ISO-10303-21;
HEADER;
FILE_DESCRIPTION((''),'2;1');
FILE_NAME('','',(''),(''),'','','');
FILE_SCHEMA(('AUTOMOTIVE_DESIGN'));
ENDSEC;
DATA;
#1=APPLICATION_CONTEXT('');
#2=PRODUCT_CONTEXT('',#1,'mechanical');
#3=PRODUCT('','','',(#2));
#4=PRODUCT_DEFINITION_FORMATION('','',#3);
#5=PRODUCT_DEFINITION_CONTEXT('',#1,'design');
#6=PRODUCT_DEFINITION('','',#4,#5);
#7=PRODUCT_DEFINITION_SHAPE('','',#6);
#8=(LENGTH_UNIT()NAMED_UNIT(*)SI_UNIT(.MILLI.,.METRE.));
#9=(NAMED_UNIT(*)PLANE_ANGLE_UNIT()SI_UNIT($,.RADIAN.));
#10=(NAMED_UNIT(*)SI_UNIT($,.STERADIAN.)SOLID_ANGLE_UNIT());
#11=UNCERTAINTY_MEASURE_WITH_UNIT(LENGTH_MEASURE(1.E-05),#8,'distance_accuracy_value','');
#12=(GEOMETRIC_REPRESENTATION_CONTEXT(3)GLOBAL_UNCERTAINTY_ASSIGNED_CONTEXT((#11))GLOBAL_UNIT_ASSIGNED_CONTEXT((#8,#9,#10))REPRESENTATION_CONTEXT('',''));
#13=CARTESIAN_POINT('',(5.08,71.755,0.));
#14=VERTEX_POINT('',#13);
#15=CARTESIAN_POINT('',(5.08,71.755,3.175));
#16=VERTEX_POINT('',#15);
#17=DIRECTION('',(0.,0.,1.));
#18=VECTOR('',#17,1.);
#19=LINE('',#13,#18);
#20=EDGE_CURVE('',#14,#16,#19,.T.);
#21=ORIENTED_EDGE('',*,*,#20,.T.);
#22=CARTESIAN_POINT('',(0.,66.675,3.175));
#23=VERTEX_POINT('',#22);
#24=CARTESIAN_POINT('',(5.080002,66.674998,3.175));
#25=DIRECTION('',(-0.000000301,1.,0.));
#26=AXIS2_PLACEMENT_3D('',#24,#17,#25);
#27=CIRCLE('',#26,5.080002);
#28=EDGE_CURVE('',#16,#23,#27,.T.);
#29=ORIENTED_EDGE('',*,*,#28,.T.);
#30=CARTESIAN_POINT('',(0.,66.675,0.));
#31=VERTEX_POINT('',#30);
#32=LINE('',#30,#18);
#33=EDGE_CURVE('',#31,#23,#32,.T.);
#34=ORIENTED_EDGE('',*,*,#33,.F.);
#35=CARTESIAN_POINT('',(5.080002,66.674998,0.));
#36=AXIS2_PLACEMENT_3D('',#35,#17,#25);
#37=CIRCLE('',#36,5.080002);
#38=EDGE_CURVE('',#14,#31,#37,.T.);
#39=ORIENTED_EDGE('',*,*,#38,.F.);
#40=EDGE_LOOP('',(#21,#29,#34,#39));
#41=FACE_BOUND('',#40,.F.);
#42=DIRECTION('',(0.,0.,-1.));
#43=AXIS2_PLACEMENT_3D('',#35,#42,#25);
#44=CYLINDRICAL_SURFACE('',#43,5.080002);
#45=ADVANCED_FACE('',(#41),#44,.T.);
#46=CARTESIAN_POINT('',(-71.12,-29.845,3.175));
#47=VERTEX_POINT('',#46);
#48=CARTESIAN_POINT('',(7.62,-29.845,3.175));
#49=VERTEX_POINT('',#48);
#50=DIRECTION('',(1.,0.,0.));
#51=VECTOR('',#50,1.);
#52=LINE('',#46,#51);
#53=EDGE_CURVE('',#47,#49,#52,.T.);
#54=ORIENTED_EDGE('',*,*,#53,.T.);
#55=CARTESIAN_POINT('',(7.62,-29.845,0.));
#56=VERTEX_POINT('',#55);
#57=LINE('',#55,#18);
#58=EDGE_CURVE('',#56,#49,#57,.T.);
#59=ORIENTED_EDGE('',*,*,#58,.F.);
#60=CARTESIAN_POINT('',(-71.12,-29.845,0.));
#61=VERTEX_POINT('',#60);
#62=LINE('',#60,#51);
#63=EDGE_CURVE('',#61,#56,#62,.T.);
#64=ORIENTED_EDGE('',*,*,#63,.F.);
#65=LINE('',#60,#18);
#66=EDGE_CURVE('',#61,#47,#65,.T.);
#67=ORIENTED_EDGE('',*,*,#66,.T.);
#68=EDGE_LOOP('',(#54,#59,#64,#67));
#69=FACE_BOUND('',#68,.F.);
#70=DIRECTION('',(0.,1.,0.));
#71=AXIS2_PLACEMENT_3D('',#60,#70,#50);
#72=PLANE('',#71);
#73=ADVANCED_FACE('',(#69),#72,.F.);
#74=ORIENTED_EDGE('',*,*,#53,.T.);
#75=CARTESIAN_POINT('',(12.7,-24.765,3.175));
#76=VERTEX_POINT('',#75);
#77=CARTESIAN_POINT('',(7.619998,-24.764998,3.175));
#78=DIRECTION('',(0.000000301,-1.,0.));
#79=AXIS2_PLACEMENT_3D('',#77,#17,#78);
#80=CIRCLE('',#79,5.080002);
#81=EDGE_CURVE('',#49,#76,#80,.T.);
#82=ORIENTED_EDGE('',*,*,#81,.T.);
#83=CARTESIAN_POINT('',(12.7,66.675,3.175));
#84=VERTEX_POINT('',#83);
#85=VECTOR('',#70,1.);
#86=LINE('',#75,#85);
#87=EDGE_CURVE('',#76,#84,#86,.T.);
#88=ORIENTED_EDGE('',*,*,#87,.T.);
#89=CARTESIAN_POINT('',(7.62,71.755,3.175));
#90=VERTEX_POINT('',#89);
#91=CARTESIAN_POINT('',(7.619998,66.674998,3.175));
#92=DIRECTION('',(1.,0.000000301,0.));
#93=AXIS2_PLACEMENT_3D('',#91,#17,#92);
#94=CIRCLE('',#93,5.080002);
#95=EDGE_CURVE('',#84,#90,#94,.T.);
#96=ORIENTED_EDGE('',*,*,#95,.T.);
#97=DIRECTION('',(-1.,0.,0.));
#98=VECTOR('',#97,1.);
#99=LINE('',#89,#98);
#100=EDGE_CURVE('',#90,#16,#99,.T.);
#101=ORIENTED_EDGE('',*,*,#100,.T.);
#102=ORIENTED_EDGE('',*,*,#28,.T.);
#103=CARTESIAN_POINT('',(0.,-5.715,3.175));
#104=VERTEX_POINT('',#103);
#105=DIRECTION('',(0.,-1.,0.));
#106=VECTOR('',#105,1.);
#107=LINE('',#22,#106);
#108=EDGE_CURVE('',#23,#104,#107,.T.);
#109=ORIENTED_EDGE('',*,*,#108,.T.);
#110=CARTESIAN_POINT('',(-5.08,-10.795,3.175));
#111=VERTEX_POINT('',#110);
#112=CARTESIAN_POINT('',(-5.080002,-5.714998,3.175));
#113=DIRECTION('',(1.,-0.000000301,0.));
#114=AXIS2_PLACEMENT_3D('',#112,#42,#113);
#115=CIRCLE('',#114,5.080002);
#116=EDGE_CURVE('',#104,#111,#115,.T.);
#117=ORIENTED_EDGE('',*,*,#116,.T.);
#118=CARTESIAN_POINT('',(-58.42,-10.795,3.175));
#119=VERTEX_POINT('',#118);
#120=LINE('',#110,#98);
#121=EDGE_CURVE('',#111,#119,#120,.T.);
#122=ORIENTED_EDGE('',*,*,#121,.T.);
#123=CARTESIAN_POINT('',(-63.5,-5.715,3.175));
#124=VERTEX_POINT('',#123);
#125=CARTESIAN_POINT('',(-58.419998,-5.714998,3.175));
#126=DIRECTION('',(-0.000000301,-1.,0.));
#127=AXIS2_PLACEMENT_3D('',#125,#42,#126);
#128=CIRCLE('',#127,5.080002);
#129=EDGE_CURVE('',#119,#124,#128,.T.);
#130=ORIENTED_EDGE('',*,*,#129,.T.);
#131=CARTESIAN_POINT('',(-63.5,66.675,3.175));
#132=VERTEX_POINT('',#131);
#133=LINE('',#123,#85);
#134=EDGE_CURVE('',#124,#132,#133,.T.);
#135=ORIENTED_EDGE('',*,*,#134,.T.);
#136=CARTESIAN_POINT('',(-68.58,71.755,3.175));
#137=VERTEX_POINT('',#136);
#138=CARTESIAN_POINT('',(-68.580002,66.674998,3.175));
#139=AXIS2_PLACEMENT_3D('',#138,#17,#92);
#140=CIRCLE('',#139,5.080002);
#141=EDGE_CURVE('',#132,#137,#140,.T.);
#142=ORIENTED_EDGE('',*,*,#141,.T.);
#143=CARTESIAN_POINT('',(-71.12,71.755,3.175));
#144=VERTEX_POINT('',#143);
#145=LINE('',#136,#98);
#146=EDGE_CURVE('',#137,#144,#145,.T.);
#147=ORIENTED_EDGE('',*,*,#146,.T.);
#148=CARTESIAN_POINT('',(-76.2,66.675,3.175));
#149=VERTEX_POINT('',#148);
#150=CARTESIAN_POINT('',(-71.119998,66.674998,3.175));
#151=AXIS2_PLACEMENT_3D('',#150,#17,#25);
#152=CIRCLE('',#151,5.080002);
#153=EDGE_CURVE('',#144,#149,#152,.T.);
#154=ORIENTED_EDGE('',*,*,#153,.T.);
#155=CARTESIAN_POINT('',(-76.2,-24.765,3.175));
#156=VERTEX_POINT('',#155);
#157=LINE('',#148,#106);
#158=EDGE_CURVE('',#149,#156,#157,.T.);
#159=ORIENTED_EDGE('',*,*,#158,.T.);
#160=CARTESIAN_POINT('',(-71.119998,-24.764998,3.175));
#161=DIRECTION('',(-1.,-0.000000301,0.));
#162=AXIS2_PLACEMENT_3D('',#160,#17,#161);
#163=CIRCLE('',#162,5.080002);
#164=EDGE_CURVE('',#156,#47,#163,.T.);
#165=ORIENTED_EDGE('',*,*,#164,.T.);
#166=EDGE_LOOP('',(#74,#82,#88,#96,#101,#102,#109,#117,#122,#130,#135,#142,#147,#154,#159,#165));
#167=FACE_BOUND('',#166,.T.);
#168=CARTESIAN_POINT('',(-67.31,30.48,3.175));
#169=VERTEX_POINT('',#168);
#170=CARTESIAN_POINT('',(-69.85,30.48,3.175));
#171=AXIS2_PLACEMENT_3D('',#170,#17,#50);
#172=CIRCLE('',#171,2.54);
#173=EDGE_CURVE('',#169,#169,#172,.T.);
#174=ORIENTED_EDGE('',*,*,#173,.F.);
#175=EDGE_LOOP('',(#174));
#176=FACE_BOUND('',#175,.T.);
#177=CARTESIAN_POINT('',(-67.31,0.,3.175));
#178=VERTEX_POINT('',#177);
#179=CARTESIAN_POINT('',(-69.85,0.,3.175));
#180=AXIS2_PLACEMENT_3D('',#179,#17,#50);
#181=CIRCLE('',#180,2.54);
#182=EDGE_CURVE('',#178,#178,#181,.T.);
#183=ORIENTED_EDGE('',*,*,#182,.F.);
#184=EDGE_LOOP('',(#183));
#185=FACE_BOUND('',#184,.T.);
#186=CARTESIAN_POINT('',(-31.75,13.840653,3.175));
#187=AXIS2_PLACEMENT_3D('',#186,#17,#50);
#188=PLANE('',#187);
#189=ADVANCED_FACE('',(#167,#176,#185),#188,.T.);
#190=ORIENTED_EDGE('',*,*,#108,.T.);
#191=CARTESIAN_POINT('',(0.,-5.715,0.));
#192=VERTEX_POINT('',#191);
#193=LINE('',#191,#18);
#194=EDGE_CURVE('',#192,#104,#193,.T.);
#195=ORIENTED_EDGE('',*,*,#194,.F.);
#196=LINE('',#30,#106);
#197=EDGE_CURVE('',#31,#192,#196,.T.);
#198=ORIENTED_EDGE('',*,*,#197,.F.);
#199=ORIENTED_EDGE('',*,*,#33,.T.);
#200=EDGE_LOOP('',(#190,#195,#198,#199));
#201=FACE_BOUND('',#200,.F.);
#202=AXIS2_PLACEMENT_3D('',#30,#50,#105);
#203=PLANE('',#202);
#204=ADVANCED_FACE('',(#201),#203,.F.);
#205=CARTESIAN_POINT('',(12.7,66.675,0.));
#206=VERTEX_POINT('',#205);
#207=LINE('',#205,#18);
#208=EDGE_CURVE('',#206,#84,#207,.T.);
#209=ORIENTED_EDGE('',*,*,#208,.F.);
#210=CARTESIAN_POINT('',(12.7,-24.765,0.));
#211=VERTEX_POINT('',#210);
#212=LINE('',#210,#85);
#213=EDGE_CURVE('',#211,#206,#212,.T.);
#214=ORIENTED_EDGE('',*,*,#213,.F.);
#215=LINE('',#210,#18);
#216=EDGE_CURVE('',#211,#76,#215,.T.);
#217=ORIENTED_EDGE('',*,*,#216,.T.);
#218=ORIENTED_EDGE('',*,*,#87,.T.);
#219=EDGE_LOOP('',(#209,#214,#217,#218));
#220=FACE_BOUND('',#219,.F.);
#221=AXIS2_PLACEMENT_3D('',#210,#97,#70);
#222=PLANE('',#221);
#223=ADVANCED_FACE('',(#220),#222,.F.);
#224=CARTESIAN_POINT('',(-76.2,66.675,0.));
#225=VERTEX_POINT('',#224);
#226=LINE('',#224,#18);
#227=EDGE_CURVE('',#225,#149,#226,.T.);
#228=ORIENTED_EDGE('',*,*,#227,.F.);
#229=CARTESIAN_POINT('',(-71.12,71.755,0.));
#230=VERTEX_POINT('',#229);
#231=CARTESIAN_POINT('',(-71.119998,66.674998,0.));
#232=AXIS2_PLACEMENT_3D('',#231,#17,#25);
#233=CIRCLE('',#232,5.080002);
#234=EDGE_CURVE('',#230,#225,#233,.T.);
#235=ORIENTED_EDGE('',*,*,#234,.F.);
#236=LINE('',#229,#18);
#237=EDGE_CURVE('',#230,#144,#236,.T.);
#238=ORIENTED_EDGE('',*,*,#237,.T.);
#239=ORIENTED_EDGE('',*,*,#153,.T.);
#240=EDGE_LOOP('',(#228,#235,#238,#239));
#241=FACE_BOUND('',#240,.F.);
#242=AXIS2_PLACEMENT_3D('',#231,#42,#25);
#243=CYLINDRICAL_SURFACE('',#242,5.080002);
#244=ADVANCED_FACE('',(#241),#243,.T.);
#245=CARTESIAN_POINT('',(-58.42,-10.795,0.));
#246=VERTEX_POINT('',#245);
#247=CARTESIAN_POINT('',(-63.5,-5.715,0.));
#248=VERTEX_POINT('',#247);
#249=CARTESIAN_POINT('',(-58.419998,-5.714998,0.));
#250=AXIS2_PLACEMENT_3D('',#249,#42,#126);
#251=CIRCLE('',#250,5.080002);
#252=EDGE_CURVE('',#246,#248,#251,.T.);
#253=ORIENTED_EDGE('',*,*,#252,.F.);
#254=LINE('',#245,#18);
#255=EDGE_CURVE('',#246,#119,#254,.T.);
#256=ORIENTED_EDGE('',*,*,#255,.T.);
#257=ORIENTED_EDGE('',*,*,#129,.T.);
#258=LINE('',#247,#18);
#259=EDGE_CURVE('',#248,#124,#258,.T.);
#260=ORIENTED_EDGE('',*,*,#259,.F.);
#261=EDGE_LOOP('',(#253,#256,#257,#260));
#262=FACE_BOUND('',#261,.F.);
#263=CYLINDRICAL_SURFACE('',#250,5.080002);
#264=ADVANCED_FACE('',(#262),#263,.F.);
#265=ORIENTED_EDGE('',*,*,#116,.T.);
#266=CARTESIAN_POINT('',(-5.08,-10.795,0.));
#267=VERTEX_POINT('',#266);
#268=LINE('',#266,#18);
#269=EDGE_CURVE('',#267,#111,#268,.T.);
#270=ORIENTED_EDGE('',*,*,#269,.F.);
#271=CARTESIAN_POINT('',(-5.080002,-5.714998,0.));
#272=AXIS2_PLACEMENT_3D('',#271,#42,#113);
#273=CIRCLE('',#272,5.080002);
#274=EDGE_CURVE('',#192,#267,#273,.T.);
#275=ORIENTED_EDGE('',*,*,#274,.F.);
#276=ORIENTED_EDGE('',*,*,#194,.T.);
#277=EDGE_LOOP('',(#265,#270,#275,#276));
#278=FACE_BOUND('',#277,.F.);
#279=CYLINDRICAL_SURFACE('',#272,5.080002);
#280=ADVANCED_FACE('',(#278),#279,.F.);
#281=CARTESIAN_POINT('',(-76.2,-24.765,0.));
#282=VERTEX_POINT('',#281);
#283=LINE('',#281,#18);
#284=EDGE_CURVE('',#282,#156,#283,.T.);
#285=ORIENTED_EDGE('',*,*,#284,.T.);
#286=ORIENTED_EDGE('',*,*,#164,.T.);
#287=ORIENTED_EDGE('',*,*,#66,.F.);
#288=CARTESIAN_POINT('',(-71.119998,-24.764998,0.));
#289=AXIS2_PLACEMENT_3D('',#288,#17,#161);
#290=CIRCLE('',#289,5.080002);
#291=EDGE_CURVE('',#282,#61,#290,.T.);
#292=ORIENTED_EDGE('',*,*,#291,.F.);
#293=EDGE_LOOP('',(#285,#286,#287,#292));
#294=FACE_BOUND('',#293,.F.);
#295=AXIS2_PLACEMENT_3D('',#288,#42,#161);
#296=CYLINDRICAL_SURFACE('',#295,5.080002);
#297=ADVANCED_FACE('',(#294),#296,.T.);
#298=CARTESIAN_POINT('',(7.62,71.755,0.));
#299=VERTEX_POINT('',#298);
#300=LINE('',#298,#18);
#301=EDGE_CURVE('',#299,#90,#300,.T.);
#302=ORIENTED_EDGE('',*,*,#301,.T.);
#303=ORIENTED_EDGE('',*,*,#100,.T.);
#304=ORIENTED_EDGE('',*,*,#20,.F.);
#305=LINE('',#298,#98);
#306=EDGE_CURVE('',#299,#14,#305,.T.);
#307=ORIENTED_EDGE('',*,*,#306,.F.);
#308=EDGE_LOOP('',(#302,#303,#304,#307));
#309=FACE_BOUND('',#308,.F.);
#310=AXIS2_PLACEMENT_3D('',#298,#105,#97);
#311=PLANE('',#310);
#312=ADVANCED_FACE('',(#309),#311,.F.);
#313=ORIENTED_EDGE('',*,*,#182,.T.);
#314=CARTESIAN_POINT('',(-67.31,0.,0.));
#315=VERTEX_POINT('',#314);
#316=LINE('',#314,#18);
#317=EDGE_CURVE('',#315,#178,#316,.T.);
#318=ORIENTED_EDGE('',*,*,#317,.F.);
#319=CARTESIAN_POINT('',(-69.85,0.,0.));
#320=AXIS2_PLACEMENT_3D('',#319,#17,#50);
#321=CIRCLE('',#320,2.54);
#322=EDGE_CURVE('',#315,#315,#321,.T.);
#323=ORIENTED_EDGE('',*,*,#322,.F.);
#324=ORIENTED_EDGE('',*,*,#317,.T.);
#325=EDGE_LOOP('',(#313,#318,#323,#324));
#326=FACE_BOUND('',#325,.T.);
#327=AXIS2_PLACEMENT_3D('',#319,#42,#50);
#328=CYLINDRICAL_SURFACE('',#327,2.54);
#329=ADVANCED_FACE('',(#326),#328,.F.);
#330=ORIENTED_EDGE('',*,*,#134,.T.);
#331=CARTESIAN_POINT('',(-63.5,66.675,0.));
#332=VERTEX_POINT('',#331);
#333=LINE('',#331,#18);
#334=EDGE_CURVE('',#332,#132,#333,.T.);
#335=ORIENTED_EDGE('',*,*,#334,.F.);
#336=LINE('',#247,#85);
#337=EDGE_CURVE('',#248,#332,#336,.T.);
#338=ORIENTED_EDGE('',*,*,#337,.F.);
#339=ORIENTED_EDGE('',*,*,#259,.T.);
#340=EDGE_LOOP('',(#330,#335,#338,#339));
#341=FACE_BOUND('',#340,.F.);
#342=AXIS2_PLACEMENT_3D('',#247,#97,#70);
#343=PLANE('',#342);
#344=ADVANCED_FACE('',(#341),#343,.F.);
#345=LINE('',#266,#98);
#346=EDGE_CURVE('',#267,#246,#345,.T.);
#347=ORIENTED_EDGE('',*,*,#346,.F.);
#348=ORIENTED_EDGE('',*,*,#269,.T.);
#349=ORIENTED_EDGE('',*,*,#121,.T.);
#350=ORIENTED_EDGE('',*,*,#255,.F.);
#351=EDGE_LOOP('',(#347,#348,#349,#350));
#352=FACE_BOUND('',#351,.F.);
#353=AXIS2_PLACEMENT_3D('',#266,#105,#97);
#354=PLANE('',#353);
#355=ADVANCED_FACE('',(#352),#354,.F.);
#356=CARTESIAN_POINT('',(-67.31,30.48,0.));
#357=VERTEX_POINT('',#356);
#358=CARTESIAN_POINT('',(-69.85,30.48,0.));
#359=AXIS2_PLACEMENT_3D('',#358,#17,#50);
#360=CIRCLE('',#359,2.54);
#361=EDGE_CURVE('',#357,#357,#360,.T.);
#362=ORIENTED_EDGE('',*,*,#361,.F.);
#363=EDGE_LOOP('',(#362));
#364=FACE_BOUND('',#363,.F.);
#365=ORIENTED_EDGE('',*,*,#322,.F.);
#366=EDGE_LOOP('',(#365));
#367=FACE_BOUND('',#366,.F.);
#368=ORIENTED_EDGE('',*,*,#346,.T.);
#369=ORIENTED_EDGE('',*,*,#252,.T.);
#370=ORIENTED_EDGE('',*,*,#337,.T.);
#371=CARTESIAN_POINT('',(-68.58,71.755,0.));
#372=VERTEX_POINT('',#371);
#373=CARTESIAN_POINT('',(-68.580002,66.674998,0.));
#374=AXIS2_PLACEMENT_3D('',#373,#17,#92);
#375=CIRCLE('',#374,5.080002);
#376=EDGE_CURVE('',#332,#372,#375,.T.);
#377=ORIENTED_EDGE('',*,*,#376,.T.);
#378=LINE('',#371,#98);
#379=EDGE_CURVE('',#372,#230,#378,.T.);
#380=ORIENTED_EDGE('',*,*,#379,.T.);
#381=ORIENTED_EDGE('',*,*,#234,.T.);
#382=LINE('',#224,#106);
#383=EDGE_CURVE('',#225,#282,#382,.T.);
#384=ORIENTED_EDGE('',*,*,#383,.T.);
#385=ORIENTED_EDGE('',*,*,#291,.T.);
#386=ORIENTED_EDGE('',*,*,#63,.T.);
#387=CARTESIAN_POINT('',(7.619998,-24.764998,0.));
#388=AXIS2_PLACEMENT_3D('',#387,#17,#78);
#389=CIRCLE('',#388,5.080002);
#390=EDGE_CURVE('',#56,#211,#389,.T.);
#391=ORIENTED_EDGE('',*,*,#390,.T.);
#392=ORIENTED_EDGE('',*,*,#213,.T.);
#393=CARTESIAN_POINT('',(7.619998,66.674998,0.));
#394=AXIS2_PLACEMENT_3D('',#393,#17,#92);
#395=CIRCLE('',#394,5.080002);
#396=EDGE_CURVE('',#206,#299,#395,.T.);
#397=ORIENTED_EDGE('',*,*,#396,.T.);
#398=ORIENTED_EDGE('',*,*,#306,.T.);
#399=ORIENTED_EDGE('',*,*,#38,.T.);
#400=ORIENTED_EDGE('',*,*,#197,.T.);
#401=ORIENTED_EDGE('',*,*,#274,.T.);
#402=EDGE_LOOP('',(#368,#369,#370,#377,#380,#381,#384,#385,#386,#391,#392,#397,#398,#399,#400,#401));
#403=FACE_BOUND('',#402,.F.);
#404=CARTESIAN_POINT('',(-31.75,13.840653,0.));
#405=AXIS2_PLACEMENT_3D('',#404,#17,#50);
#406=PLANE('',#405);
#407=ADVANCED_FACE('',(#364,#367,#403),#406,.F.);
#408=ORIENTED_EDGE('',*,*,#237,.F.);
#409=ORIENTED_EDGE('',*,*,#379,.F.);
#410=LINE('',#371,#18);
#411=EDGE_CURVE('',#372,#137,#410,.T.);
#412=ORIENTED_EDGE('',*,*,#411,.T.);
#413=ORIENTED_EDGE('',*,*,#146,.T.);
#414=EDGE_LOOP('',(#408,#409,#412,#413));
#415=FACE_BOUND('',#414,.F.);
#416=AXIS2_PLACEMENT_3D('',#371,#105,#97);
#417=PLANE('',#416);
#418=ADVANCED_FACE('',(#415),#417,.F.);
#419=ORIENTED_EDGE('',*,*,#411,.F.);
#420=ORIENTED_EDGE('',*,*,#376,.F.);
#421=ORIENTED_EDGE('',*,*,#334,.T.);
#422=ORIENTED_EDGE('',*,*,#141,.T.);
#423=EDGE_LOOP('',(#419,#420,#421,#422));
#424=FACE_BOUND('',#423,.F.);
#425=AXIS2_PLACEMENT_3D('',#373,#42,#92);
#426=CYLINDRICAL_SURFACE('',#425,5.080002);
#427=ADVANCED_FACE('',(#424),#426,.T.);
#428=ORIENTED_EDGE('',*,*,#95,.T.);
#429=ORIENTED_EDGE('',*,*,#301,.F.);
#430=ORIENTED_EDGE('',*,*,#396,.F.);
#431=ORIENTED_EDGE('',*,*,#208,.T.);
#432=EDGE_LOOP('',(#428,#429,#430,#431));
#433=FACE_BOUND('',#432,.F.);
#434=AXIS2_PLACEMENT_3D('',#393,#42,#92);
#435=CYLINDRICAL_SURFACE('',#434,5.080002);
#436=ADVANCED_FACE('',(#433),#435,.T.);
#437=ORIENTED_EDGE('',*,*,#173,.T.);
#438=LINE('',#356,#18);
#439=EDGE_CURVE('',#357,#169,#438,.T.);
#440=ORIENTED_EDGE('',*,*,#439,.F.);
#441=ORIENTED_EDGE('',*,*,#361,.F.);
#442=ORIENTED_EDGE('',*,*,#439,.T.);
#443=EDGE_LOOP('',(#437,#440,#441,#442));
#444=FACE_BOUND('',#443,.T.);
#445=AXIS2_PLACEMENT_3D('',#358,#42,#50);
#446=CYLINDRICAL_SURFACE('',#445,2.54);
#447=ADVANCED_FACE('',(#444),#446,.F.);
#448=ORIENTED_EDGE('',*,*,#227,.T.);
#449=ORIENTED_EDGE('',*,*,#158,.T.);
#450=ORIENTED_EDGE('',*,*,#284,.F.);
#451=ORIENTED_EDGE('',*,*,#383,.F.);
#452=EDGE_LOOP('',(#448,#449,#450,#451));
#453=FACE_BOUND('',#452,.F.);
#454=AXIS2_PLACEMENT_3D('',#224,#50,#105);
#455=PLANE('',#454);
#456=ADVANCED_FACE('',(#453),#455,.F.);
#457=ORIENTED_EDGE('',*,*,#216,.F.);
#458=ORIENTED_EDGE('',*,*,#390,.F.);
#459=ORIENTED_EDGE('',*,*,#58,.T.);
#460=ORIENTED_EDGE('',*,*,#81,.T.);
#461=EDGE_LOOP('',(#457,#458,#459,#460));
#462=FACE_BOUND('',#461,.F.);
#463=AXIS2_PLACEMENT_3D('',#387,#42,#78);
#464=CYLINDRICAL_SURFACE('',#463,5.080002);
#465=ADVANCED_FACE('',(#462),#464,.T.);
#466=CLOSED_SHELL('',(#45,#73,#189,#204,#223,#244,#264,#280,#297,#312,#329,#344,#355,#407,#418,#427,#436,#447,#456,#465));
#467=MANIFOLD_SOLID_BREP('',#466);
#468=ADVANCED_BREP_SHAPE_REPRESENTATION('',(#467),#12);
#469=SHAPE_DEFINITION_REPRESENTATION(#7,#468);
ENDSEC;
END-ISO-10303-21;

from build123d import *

# Parameters (mm, degrees)
F0_R     = 2.54
F2_DEPTH = 3.175


with BuildPart() as f2:
    # F0 (on Top) → F2 (new body)
    with BuildSketch(Plane.XY):
        with BuildLine():
            Line((-68.58, 71.755), (-71.12, 71.755))
            ThreePointArc((-71.12, 71.755), (-74.712102, 70.267102), (-76.2, 66.675))
            Line((-76.2, 66.675), (-76.2, -10.795))
            Line((-76.2, -10.795), (-76.2, -24.765))
            ThreePointArc((-76.2, -24.765), (-74.712102, -28.357102), (-71.12, -29.845))
            Line((-71.12, -29.845), (7.62, -29.845))
            ThreePointArc((7.62, -29.845), (11.212102, -28.357102), (12.7, -24.765))
            Line((12.7, -24.765), (12.7, -10.795))
            Line((12.7, -10.795), (12.7, 66.675))
            ThreePointArc((12.7, 66.675), (11.212102, 70.267102), (7.62, 71.755))
            Line((7.62, 71.755), (5.08, 71.755))
            ThreePointArc((5.08, 71.755), (1.487898, 70.267102), (0, 66.675))
            Line((0, 66.675), (0, -5.715))
            ThreePointArc((0, -5.715), (-1.487898, -9.307102), (-5.08, -10.795))
            Line((-5.08, -10.795), (-58.42, -10.795))
            ThreePointArc((-58.42, -10.795), (-62.012102, -9.307102), (-63.5, -5.715))
            Line((-63.5, -5.715), (-63.5, 66.675))
            ThreePointArc((-63.5, 66.675), (-64.987898, 70.267102), (-68.58, 71.755))
        make_face()
        with Locations((-69.85, 0)):
            Circle(F0_R, mode=Mode.SUBTRACT)
        with Locations((-69.85, 30.48)):
            Circle(F0_R, mode=Mode.SUBTRACT)
    extrude(amount=F2_DEPTH)


solid = f2.part
